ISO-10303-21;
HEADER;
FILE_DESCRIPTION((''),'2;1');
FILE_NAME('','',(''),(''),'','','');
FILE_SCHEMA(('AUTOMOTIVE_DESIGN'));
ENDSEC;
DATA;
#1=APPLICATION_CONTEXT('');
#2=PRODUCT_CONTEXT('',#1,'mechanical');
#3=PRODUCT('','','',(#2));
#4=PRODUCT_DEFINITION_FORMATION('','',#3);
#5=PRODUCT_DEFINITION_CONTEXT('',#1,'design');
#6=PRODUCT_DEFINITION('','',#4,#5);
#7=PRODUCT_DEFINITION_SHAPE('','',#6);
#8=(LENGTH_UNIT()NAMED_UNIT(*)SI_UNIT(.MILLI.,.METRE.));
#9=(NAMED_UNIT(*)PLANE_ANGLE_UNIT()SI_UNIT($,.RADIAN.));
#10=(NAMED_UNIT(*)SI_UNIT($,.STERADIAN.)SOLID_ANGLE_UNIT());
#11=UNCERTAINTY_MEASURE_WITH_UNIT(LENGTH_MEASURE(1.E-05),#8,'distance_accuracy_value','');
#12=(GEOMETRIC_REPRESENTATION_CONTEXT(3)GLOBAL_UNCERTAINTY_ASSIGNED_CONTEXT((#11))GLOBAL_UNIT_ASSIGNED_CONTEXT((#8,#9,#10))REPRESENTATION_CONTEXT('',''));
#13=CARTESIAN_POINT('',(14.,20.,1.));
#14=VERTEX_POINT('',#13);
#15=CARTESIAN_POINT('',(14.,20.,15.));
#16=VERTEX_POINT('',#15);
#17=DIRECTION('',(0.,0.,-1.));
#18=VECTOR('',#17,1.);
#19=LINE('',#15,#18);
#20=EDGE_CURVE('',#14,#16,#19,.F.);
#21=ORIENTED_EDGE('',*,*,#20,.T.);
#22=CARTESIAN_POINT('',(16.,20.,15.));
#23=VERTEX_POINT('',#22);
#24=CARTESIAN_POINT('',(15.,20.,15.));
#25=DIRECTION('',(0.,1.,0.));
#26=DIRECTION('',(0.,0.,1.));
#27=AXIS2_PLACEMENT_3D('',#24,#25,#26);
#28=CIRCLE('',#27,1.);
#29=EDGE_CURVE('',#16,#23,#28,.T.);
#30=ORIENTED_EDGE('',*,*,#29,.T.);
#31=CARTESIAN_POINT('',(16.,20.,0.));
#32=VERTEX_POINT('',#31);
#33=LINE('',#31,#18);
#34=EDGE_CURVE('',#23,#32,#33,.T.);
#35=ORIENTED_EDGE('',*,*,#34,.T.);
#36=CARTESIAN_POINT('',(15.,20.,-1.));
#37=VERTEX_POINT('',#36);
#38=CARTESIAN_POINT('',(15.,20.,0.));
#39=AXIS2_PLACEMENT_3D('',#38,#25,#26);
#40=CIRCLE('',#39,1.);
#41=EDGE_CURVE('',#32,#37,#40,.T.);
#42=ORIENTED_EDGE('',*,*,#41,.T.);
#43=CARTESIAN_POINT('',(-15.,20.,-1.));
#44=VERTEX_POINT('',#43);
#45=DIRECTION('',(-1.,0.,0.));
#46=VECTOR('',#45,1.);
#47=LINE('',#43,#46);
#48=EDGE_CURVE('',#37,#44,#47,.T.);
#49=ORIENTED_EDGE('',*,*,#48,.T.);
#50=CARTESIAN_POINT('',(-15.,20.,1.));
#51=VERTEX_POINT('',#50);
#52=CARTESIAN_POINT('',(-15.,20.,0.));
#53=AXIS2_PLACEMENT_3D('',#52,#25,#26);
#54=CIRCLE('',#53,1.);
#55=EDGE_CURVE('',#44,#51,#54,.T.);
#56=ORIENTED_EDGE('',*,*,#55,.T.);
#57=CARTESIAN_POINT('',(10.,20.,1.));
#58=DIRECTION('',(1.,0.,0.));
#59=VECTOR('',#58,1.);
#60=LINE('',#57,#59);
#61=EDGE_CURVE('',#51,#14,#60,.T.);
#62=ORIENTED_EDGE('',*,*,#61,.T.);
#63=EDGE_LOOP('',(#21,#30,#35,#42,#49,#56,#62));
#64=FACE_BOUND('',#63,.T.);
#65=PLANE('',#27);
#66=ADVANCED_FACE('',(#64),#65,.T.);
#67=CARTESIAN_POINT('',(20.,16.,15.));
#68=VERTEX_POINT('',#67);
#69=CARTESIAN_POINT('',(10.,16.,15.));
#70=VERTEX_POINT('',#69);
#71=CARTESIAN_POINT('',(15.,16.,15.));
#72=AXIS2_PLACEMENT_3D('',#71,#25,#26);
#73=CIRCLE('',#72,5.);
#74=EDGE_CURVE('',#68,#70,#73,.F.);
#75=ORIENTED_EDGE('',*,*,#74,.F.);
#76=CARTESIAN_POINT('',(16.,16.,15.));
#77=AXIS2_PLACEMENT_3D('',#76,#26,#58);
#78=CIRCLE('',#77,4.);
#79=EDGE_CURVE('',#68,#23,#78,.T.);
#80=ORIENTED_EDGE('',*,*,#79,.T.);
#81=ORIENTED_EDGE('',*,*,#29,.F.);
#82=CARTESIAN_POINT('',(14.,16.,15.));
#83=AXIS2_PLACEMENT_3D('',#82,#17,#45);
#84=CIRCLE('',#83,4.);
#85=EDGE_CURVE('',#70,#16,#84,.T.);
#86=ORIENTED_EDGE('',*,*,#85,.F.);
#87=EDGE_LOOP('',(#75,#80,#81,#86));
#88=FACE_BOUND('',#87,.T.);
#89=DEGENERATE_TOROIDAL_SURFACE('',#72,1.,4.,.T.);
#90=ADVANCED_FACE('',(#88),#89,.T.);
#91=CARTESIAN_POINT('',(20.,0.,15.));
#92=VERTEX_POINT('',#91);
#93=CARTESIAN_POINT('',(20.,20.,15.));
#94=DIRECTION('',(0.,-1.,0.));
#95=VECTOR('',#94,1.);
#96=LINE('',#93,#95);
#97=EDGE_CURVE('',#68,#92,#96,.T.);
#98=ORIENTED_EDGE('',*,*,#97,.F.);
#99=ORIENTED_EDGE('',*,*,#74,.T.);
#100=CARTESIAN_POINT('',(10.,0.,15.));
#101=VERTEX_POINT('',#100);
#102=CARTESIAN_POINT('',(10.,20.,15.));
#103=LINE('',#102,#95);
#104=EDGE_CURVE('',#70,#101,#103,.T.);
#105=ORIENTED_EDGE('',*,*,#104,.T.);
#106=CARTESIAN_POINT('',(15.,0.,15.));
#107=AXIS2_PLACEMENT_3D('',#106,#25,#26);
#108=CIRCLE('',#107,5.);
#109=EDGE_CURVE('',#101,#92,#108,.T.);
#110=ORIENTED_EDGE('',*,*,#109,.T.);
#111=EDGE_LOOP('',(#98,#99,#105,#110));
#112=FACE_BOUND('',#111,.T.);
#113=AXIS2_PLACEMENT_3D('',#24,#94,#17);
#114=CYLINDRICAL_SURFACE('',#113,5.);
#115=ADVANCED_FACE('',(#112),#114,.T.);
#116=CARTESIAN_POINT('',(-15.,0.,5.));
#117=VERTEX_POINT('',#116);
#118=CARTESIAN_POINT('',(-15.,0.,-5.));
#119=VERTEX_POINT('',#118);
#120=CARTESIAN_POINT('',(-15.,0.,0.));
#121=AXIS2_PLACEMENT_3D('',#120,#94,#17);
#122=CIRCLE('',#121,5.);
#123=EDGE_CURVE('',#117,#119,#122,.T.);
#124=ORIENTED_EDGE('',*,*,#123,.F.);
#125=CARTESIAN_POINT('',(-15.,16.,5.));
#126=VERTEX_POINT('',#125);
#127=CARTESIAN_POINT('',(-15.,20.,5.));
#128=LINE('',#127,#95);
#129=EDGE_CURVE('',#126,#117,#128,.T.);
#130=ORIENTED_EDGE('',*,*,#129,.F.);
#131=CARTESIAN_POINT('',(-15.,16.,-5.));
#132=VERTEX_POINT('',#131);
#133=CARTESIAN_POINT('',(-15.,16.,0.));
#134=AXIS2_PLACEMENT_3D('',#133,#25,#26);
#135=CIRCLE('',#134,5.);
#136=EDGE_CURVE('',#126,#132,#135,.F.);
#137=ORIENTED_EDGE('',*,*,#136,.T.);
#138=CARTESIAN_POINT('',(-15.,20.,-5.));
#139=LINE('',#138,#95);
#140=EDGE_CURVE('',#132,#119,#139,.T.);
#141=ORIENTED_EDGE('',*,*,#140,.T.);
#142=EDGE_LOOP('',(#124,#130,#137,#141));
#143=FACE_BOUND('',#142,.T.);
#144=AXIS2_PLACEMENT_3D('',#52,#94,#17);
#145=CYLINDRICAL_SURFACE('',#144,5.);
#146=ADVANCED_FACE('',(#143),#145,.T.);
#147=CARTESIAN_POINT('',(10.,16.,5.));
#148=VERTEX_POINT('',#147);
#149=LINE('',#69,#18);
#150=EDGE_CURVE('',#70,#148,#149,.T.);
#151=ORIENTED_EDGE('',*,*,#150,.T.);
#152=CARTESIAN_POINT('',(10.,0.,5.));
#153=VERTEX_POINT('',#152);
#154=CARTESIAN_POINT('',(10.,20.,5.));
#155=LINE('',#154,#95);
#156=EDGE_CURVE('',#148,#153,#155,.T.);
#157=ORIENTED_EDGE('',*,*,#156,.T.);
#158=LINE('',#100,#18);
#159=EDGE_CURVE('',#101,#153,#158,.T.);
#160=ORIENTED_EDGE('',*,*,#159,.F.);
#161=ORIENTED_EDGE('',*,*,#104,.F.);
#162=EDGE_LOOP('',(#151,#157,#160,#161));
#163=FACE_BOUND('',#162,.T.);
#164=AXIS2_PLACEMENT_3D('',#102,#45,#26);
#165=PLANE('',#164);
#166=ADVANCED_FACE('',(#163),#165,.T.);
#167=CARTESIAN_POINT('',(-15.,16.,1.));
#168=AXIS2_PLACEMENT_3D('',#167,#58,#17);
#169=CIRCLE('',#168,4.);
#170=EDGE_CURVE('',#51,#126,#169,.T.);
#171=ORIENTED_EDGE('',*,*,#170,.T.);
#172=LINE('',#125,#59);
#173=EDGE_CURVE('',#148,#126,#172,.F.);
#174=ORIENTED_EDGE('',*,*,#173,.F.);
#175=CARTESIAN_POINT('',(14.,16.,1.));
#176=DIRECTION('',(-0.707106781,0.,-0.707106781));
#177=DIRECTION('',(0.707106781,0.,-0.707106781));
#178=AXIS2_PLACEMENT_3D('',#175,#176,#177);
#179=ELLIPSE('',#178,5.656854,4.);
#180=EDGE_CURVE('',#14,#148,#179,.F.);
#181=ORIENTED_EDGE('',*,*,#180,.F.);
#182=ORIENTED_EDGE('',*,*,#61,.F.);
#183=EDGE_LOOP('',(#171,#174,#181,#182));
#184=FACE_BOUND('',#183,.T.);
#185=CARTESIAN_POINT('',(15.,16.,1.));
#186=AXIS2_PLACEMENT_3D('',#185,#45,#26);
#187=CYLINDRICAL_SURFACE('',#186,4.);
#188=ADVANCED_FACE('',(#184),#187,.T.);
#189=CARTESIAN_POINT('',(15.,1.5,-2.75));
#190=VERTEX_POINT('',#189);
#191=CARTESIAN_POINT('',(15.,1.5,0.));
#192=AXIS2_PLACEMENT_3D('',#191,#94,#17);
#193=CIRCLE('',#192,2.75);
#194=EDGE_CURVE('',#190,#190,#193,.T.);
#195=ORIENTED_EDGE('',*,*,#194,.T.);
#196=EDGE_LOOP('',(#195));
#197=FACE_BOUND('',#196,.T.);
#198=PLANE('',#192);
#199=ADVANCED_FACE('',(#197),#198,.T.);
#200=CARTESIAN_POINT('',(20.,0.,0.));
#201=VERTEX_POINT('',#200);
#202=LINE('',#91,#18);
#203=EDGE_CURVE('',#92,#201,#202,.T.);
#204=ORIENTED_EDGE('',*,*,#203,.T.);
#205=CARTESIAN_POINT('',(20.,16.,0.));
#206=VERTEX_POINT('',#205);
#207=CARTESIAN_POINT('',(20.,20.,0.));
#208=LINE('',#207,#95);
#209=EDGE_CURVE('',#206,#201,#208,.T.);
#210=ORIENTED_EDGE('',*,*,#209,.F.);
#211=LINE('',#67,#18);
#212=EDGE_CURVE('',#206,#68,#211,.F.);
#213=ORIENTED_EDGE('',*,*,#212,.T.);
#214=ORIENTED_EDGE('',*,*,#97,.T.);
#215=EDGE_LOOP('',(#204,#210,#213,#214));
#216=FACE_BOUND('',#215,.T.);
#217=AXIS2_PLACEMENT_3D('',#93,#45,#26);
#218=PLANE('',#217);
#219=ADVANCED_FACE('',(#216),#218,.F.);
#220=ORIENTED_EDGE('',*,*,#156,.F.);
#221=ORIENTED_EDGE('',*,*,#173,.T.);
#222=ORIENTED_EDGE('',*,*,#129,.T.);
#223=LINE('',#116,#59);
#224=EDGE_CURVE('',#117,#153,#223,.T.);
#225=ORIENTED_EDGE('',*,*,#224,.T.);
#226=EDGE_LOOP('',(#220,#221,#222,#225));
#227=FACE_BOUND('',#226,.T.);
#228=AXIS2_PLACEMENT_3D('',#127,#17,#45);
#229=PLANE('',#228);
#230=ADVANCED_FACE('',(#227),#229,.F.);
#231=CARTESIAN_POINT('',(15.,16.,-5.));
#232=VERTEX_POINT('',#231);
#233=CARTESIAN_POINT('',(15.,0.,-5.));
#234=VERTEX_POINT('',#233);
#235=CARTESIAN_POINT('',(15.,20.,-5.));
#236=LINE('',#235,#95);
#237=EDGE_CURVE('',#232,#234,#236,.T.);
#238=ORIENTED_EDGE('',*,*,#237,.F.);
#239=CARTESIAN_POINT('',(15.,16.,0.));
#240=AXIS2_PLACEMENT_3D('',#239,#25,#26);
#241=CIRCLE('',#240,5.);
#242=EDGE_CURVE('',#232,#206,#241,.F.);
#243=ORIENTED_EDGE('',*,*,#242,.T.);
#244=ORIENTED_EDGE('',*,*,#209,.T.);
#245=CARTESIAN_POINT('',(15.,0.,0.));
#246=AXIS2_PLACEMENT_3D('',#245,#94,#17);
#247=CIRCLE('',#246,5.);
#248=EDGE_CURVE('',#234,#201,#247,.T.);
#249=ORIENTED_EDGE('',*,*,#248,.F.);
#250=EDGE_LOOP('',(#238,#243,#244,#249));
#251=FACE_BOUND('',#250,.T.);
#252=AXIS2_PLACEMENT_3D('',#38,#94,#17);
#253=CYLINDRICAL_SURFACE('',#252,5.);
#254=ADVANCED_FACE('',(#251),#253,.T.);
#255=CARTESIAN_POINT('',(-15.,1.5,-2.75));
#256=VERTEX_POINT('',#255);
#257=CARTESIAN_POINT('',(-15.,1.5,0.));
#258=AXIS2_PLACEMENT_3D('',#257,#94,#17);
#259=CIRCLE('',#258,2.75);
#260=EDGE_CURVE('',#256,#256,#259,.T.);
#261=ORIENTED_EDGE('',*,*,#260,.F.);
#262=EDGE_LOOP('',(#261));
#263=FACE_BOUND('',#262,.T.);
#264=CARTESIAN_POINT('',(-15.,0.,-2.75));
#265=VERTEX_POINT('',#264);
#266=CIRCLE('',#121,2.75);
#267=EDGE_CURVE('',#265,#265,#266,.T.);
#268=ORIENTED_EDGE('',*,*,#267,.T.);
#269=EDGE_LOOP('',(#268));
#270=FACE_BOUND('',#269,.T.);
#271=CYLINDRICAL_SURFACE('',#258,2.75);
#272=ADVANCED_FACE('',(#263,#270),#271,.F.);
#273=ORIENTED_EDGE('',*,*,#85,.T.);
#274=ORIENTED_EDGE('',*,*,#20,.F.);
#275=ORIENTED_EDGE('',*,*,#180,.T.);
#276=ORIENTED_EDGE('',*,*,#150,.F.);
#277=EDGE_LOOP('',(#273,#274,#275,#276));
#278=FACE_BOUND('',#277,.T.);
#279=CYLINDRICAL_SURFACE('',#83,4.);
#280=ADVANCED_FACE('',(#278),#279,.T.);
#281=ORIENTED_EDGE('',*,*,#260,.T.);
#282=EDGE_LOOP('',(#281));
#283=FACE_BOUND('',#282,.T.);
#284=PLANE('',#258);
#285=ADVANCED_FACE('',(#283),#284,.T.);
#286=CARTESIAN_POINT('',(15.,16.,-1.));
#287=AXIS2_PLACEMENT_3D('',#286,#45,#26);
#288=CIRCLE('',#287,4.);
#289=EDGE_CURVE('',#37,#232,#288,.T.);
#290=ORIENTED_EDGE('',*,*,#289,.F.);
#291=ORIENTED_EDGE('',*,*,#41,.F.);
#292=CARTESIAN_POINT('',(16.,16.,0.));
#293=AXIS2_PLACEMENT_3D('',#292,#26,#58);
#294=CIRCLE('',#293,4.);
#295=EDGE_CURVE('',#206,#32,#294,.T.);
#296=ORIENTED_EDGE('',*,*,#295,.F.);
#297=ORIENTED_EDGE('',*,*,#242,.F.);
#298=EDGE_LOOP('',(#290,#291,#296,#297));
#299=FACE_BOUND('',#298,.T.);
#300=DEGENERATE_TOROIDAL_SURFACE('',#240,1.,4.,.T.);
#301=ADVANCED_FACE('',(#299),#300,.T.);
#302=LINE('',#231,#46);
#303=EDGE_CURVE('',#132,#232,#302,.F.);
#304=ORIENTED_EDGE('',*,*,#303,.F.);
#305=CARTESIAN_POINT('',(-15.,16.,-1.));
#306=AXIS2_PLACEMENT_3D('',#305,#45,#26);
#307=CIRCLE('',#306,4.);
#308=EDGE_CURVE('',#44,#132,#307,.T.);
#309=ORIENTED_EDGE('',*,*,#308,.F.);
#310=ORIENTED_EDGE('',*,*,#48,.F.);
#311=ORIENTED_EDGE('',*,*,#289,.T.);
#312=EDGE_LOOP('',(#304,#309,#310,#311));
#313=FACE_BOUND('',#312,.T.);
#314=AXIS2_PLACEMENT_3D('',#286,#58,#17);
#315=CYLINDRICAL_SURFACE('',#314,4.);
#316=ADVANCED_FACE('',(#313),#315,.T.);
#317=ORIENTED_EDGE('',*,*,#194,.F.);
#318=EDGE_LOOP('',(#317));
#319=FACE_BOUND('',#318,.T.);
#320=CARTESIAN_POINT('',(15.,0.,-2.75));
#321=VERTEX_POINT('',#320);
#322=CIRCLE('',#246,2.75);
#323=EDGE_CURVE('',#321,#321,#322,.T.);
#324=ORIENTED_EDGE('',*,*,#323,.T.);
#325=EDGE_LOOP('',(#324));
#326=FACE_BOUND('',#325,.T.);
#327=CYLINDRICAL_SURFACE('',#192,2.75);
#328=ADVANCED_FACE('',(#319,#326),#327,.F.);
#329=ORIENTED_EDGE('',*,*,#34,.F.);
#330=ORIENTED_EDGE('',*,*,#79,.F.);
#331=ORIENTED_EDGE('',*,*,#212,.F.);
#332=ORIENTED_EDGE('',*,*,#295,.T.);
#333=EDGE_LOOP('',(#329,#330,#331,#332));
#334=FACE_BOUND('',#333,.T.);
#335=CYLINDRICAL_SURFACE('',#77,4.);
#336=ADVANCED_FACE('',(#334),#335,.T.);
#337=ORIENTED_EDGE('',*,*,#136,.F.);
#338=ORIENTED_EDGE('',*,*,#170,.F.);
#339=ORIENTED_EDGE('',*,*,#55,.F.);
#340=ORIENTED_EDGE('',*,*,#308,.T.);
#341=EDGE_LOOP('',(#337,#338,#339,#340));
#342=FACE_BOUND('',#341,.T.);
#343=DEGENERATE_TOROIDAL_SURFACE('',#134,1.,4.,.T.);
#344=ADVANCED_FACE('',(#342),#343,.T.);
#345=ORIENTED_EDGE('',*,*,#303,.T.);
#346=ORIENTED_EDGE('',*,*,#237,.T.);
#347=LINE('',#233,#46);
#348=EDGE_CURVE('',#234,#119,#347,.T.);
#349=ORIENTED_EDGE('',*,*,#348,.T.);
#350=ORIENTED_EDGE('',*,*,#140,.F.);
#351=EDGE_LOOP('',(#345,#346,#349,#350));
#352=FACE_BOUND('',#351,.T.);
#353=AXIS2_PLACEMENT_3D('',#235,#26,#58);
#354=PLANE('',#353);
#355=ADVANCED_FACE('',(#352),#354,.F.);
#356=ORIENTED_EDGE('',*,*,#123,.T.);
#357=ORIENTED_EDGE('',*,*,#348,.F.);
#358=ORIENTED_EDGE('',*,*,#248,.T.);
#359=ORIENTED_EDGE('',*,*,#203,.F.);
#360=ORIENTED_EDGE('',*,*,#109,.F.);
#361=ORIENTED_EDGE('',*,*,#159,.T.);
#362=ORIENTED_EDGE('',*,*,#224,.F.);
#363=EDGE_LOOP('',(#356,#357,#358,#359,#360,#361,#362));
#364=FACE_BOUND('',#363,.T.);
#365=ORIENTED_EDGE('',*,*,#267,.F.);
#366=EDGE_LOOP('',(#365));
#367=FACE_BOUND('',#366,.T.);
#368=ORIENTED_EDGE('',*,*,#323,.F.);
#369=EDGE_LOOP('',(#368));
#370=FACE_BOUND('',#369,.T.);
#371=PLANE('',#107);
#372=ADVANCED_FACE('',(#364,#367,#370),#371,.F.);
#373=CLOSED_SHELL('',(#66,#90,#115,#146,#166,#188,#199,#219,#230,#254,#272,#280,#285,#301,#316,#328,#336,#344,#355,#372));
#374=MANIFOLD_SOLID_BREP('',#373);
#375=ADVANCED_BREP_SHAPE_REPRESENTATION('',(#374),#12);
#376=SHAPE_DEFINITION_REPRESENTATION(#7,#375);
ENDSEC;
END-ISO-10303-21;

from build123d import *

# Parameters (mm, degrees)
BOSS_EXTRUDE1_DEPTH = 20
FILLET1_R           = 4
SKETCH2_R           = 2.75
CUT_EXTRUDE1_DEPTH  = 1.5
LPATTERN1_COUNT     = 2
LPATTERN1_PITCH     = 30


with BuildPart() as part:
    # Sketch1 → Boss-Extrude1 (new body)
    with BuildSketch(Plane(origin=(0, 0, 0), x_dir=(1, 0, 0), z_dir=(0, 1, 0))):
        with BuildLine():
            Line((-15, -5), (10, -5))
            Line((10, -5), (10, -15))
            ThreePointArc((10, -15), (15, -20), (20, -15))
            Line((20, -15), (20, 0))
            ThreePointArc((20, 0), (18.535533906, 3.535533906), (15, 5))
            Line((15, 5), (-15, 5))
            ThreePointArc((-15, 5), (-20, 0), (-15, -5))
        make_face()
    extrude(amount=BOSS_EXTRUDE1_DEPTH)

    # Fillet1
    fillet1_edges = [part.edges().sort_by_distance(p)[0] for p in [
        (15, 20, 20),
        (20, 20, 7.5),
        (18.535533906, 20, -3.535533906),
        (0, 20, -5),
        (-20, 20, 0),
        (-2.5, 20, 5),
        (10, 20, 10),
    ]]
    fillet(fillet1_edges, radius=FILLET1_R)

    # Sketch2 → Cut-Extrude1 (cut)
    with BuildSketch(Plane.XZ):
        with Locations(Location((-15, 0, 0), (0, 0, 270))):
            Circle(SKETCH2_R)
    cut_extrude1 = extrude(amount=-CUT_EXTRUDE1_DEPTH, mode=Mode.SUBTRACT)

    # LPattern1: Cut-Extrude1 ×2
    with Locations(*[(i * LPATTERN1_PITCH, 0, 0) for i in range(1, LPATTERN1_COUNT)]):
        add(cut_extrude1, mode=Mode.SUBTRACT)


solid = part.part
